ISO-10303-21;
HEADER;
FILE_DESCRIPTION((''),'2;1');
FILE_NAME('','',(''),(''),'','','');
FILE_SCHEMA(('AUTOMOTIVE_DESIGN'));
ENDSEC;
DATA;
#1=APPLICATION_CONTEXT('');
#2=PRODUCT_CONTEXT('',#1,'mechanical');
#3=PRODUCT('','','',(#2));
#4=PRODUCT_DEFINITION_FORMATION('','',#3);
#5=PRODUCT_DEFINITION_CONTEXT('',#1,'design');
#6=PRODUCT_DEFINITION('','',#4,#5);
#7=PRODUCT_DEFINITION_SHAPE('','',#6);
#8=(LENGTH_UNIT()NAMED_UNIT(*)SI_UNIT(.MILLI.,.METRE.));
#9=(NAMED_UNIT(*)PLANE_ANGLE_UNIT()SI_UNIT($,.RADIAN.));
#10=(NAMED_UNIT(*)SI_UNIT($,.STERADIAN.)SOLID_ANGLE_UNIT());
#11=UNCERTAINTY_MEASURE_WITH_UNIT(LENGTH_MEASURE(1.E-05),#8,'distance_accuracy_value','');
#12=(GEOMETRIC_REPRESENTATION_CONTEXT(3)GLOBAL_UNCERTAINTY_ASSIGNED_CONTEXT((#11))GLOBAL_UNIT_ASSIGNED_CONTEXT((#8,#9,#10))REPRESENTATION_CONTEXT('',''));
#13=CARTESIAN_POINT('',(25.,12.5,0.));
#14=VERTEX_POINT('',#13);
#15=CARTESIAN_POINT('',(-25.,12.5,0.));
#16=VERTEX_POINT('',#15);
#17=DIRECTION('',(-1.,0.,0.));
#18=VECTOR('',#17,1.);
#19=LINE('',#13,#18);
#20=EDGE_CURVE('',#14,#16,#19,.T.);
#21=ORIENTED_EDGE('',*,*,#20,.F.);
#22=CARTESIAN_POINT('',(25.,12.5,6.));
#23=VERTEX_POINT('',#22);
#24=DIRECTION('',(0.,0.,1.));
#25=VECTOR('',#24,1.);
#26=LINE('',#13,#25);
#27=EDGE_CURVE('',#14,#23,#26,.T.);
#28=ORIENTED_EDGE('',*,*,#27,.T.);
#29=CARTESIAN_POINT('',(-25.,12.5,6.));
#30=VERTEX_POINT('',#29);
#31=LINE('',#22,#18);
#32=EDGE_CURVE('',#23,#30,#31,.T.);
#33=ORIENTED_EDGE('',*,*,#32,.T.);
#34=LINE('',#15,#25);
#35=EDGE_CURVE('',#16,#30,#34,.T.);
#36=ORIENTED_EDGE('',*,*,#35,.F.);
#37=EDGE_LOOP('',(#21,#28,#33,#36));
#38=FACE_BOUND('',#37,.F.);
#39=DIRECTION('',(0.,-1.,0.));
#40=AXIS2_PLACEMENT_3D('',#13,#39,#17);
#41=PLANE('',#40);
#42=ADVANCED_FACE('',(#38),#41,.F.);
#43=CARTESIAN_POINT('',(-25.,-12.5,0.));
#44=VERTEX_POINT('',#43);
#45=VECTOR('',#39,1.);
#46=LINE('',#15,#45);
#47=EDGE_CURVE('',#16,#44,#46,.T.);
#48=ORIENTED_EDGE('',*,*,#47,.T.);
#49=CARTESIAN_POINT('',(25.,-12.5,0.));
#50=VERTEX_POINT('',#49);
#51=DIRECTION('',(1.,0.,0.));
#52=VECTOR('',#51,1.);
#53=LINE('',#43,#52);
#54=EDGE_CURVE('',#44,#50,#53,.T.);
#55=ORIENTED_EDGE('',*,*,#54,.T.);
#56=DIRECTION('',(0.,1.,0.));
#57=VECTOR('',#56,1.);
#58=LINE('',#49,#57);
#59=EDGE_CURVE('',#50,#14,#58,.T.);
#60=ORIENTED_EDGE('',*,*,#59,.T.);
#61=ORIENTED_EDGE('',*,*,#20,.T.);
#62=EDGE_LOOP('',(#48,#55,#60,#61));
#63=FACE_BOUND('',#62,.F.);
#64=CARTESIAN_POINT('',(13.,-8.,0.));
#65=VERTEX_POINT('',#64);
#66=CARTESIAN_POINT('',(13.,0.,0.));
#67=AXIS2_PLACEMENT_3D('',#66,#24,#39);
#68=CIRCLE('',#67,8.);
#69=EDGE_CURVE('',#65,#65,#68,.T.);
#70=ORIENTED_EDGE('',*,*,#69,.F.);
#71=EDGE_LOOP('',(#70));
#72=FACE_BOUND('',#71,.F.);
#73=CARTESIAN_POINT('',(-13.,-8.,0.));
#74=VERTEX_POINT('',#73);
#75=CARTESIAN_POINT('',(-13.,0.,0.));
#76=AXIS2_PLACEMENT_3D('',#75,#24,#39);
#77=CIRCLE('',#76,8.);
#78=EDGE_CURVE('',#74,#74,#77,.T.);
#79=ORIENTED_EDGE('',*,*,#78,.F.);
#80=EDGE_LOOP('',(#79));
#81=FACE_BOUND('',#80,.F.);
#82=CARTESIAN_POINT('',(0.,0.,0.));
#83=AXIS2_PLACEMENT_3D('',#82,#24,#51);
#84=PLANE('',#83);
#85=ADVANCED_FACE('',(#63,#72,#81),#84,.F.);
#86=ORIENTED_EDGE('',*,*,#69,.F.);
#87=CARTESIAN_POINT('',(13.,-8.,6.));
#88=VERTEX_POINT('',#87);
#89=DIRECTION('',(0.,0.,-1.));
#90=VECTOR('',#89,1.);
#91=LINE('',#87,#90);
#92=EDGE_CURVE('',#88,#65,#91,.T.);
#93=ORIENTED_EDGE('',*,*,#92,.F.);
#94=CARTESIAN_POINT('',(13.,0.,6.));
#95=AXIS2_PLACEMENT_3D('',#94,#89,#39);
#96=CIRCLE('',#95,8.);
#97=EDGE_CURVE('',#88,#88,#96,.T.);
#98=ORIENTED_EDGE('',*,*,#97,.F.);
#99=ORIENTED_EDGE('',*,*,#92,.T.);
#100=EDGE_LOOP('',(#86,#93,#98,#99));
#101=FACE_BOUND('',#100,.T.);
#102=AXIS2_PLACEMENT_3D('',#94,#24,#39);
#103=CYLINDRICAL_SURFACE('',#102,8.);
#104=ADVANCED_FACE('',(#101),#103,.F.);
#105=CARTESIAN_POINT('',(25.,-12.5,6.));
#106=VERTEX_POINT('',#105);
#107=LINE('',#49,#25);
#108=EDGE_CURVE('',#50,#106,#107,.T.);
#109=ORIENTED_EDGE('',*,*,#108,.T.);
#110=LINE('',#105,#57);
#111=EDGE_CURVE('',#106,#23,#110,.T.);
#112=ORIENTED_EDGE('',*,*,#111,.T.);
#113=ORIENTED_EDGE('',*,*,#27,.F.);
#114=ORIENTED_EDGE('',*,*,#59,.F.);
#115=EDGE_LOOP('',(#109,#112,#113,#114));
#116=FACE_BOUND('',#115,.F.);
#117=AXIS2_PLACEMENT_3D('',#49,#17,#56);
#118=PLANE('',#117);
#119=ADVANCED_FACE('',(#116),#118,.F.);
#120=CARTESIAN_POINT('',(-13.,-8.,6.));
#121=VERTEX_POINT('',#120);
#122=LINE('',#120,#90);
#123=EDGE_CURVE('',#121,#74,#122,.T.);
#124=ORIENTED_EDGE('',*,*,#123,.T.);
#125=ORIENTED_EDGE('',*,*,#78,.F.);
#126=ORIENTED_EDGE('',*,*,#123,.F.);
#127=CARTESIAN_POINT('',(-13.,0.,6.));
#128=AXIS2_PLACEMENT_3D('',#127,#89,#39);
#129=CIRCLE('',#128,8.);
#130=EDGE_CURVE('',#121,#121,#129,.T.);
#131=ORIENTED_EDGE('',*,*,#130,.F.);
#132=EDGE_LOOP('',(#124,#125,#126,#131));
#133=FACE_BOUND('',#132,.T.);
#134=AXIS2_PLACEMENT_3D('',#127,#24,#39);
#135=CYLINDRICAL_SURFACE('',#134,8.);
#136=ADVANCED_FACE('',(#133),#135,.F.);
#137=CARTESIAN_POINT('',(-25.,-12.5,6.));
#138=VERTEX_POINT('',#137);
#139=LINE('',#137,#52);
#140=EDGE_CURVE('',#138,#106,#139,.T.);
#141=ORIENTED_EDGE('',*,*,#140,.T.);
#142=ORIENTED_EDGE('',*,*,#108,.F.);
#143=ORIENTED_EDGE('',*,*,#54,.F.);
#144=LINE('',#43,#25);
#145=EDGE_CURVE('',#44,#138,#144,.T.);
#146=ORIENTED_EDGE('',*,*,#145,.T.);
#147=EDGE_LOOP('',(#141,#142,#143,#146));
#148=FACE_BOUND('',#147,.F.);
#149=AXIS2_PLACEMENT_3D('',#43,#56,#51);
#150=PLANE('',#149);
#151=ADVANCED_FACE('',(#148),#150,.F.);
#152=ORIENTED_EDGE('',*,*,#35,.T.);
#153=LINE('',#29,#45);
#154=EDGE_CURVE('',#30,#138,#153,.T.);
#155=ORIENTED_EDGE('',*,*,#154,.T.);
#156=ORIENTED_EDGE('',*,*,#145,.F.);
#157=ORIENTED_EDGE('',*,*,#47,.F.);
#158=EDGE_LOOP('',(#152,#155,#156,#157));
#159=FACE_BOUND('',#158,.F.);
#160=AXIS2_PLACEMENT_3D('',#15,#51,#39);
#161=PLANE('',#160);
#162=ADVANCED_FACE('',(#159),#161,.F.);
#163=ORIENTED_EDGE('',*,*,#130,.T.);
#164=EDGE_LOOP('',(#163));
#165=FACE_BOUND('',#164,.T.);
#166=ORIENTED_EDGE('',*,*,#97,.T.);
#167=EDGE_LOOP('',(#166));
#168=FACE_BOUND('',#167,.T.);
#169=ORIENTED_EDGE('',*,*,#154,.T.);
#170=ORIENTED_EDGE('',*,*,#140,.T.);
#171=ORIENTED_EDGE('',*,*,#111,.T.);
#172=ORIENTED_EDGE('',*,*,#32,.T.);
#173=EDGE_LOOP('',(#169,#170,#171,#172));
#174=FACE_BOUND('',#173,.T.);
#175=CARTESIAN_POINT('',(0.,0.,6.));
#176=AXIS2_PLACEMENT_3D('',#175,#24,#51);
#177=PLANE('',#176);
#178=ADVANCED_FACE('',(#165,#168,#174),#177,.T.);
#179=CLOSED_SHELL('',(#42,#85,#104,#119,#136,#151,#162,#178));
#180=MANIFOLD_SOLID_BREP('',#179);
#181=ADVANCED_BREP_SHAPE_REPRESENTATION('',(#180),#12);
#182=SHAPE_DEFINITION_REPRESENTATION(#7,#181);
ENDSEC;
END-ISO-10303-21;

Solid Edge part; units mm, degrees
sketch "Sketch1" plane through (0, 0, 0) normal (0, 0, 1) x (1, 0, 0)
  line L0 (-25, -12.5) -> (25, -12.5)
  line L1 (25, -12.5) -> (25, 12.5)
  line L2 (25, 12.5) -> (-25, 12.5)
  line L3 (-25, 12.5) -> (-25, -12.5)
  dimension "D1" = 25
extrude "Protrusion1" add sketch "Sketch1" along normal blind 6
hole "Hole_1" at (-13, 0, 6) direction (0, 0, -1) diameter 16 end up to next
hole "Hole1" at (13, 0, 6) direction (0, 0, -1) diameter 16 end up to next
